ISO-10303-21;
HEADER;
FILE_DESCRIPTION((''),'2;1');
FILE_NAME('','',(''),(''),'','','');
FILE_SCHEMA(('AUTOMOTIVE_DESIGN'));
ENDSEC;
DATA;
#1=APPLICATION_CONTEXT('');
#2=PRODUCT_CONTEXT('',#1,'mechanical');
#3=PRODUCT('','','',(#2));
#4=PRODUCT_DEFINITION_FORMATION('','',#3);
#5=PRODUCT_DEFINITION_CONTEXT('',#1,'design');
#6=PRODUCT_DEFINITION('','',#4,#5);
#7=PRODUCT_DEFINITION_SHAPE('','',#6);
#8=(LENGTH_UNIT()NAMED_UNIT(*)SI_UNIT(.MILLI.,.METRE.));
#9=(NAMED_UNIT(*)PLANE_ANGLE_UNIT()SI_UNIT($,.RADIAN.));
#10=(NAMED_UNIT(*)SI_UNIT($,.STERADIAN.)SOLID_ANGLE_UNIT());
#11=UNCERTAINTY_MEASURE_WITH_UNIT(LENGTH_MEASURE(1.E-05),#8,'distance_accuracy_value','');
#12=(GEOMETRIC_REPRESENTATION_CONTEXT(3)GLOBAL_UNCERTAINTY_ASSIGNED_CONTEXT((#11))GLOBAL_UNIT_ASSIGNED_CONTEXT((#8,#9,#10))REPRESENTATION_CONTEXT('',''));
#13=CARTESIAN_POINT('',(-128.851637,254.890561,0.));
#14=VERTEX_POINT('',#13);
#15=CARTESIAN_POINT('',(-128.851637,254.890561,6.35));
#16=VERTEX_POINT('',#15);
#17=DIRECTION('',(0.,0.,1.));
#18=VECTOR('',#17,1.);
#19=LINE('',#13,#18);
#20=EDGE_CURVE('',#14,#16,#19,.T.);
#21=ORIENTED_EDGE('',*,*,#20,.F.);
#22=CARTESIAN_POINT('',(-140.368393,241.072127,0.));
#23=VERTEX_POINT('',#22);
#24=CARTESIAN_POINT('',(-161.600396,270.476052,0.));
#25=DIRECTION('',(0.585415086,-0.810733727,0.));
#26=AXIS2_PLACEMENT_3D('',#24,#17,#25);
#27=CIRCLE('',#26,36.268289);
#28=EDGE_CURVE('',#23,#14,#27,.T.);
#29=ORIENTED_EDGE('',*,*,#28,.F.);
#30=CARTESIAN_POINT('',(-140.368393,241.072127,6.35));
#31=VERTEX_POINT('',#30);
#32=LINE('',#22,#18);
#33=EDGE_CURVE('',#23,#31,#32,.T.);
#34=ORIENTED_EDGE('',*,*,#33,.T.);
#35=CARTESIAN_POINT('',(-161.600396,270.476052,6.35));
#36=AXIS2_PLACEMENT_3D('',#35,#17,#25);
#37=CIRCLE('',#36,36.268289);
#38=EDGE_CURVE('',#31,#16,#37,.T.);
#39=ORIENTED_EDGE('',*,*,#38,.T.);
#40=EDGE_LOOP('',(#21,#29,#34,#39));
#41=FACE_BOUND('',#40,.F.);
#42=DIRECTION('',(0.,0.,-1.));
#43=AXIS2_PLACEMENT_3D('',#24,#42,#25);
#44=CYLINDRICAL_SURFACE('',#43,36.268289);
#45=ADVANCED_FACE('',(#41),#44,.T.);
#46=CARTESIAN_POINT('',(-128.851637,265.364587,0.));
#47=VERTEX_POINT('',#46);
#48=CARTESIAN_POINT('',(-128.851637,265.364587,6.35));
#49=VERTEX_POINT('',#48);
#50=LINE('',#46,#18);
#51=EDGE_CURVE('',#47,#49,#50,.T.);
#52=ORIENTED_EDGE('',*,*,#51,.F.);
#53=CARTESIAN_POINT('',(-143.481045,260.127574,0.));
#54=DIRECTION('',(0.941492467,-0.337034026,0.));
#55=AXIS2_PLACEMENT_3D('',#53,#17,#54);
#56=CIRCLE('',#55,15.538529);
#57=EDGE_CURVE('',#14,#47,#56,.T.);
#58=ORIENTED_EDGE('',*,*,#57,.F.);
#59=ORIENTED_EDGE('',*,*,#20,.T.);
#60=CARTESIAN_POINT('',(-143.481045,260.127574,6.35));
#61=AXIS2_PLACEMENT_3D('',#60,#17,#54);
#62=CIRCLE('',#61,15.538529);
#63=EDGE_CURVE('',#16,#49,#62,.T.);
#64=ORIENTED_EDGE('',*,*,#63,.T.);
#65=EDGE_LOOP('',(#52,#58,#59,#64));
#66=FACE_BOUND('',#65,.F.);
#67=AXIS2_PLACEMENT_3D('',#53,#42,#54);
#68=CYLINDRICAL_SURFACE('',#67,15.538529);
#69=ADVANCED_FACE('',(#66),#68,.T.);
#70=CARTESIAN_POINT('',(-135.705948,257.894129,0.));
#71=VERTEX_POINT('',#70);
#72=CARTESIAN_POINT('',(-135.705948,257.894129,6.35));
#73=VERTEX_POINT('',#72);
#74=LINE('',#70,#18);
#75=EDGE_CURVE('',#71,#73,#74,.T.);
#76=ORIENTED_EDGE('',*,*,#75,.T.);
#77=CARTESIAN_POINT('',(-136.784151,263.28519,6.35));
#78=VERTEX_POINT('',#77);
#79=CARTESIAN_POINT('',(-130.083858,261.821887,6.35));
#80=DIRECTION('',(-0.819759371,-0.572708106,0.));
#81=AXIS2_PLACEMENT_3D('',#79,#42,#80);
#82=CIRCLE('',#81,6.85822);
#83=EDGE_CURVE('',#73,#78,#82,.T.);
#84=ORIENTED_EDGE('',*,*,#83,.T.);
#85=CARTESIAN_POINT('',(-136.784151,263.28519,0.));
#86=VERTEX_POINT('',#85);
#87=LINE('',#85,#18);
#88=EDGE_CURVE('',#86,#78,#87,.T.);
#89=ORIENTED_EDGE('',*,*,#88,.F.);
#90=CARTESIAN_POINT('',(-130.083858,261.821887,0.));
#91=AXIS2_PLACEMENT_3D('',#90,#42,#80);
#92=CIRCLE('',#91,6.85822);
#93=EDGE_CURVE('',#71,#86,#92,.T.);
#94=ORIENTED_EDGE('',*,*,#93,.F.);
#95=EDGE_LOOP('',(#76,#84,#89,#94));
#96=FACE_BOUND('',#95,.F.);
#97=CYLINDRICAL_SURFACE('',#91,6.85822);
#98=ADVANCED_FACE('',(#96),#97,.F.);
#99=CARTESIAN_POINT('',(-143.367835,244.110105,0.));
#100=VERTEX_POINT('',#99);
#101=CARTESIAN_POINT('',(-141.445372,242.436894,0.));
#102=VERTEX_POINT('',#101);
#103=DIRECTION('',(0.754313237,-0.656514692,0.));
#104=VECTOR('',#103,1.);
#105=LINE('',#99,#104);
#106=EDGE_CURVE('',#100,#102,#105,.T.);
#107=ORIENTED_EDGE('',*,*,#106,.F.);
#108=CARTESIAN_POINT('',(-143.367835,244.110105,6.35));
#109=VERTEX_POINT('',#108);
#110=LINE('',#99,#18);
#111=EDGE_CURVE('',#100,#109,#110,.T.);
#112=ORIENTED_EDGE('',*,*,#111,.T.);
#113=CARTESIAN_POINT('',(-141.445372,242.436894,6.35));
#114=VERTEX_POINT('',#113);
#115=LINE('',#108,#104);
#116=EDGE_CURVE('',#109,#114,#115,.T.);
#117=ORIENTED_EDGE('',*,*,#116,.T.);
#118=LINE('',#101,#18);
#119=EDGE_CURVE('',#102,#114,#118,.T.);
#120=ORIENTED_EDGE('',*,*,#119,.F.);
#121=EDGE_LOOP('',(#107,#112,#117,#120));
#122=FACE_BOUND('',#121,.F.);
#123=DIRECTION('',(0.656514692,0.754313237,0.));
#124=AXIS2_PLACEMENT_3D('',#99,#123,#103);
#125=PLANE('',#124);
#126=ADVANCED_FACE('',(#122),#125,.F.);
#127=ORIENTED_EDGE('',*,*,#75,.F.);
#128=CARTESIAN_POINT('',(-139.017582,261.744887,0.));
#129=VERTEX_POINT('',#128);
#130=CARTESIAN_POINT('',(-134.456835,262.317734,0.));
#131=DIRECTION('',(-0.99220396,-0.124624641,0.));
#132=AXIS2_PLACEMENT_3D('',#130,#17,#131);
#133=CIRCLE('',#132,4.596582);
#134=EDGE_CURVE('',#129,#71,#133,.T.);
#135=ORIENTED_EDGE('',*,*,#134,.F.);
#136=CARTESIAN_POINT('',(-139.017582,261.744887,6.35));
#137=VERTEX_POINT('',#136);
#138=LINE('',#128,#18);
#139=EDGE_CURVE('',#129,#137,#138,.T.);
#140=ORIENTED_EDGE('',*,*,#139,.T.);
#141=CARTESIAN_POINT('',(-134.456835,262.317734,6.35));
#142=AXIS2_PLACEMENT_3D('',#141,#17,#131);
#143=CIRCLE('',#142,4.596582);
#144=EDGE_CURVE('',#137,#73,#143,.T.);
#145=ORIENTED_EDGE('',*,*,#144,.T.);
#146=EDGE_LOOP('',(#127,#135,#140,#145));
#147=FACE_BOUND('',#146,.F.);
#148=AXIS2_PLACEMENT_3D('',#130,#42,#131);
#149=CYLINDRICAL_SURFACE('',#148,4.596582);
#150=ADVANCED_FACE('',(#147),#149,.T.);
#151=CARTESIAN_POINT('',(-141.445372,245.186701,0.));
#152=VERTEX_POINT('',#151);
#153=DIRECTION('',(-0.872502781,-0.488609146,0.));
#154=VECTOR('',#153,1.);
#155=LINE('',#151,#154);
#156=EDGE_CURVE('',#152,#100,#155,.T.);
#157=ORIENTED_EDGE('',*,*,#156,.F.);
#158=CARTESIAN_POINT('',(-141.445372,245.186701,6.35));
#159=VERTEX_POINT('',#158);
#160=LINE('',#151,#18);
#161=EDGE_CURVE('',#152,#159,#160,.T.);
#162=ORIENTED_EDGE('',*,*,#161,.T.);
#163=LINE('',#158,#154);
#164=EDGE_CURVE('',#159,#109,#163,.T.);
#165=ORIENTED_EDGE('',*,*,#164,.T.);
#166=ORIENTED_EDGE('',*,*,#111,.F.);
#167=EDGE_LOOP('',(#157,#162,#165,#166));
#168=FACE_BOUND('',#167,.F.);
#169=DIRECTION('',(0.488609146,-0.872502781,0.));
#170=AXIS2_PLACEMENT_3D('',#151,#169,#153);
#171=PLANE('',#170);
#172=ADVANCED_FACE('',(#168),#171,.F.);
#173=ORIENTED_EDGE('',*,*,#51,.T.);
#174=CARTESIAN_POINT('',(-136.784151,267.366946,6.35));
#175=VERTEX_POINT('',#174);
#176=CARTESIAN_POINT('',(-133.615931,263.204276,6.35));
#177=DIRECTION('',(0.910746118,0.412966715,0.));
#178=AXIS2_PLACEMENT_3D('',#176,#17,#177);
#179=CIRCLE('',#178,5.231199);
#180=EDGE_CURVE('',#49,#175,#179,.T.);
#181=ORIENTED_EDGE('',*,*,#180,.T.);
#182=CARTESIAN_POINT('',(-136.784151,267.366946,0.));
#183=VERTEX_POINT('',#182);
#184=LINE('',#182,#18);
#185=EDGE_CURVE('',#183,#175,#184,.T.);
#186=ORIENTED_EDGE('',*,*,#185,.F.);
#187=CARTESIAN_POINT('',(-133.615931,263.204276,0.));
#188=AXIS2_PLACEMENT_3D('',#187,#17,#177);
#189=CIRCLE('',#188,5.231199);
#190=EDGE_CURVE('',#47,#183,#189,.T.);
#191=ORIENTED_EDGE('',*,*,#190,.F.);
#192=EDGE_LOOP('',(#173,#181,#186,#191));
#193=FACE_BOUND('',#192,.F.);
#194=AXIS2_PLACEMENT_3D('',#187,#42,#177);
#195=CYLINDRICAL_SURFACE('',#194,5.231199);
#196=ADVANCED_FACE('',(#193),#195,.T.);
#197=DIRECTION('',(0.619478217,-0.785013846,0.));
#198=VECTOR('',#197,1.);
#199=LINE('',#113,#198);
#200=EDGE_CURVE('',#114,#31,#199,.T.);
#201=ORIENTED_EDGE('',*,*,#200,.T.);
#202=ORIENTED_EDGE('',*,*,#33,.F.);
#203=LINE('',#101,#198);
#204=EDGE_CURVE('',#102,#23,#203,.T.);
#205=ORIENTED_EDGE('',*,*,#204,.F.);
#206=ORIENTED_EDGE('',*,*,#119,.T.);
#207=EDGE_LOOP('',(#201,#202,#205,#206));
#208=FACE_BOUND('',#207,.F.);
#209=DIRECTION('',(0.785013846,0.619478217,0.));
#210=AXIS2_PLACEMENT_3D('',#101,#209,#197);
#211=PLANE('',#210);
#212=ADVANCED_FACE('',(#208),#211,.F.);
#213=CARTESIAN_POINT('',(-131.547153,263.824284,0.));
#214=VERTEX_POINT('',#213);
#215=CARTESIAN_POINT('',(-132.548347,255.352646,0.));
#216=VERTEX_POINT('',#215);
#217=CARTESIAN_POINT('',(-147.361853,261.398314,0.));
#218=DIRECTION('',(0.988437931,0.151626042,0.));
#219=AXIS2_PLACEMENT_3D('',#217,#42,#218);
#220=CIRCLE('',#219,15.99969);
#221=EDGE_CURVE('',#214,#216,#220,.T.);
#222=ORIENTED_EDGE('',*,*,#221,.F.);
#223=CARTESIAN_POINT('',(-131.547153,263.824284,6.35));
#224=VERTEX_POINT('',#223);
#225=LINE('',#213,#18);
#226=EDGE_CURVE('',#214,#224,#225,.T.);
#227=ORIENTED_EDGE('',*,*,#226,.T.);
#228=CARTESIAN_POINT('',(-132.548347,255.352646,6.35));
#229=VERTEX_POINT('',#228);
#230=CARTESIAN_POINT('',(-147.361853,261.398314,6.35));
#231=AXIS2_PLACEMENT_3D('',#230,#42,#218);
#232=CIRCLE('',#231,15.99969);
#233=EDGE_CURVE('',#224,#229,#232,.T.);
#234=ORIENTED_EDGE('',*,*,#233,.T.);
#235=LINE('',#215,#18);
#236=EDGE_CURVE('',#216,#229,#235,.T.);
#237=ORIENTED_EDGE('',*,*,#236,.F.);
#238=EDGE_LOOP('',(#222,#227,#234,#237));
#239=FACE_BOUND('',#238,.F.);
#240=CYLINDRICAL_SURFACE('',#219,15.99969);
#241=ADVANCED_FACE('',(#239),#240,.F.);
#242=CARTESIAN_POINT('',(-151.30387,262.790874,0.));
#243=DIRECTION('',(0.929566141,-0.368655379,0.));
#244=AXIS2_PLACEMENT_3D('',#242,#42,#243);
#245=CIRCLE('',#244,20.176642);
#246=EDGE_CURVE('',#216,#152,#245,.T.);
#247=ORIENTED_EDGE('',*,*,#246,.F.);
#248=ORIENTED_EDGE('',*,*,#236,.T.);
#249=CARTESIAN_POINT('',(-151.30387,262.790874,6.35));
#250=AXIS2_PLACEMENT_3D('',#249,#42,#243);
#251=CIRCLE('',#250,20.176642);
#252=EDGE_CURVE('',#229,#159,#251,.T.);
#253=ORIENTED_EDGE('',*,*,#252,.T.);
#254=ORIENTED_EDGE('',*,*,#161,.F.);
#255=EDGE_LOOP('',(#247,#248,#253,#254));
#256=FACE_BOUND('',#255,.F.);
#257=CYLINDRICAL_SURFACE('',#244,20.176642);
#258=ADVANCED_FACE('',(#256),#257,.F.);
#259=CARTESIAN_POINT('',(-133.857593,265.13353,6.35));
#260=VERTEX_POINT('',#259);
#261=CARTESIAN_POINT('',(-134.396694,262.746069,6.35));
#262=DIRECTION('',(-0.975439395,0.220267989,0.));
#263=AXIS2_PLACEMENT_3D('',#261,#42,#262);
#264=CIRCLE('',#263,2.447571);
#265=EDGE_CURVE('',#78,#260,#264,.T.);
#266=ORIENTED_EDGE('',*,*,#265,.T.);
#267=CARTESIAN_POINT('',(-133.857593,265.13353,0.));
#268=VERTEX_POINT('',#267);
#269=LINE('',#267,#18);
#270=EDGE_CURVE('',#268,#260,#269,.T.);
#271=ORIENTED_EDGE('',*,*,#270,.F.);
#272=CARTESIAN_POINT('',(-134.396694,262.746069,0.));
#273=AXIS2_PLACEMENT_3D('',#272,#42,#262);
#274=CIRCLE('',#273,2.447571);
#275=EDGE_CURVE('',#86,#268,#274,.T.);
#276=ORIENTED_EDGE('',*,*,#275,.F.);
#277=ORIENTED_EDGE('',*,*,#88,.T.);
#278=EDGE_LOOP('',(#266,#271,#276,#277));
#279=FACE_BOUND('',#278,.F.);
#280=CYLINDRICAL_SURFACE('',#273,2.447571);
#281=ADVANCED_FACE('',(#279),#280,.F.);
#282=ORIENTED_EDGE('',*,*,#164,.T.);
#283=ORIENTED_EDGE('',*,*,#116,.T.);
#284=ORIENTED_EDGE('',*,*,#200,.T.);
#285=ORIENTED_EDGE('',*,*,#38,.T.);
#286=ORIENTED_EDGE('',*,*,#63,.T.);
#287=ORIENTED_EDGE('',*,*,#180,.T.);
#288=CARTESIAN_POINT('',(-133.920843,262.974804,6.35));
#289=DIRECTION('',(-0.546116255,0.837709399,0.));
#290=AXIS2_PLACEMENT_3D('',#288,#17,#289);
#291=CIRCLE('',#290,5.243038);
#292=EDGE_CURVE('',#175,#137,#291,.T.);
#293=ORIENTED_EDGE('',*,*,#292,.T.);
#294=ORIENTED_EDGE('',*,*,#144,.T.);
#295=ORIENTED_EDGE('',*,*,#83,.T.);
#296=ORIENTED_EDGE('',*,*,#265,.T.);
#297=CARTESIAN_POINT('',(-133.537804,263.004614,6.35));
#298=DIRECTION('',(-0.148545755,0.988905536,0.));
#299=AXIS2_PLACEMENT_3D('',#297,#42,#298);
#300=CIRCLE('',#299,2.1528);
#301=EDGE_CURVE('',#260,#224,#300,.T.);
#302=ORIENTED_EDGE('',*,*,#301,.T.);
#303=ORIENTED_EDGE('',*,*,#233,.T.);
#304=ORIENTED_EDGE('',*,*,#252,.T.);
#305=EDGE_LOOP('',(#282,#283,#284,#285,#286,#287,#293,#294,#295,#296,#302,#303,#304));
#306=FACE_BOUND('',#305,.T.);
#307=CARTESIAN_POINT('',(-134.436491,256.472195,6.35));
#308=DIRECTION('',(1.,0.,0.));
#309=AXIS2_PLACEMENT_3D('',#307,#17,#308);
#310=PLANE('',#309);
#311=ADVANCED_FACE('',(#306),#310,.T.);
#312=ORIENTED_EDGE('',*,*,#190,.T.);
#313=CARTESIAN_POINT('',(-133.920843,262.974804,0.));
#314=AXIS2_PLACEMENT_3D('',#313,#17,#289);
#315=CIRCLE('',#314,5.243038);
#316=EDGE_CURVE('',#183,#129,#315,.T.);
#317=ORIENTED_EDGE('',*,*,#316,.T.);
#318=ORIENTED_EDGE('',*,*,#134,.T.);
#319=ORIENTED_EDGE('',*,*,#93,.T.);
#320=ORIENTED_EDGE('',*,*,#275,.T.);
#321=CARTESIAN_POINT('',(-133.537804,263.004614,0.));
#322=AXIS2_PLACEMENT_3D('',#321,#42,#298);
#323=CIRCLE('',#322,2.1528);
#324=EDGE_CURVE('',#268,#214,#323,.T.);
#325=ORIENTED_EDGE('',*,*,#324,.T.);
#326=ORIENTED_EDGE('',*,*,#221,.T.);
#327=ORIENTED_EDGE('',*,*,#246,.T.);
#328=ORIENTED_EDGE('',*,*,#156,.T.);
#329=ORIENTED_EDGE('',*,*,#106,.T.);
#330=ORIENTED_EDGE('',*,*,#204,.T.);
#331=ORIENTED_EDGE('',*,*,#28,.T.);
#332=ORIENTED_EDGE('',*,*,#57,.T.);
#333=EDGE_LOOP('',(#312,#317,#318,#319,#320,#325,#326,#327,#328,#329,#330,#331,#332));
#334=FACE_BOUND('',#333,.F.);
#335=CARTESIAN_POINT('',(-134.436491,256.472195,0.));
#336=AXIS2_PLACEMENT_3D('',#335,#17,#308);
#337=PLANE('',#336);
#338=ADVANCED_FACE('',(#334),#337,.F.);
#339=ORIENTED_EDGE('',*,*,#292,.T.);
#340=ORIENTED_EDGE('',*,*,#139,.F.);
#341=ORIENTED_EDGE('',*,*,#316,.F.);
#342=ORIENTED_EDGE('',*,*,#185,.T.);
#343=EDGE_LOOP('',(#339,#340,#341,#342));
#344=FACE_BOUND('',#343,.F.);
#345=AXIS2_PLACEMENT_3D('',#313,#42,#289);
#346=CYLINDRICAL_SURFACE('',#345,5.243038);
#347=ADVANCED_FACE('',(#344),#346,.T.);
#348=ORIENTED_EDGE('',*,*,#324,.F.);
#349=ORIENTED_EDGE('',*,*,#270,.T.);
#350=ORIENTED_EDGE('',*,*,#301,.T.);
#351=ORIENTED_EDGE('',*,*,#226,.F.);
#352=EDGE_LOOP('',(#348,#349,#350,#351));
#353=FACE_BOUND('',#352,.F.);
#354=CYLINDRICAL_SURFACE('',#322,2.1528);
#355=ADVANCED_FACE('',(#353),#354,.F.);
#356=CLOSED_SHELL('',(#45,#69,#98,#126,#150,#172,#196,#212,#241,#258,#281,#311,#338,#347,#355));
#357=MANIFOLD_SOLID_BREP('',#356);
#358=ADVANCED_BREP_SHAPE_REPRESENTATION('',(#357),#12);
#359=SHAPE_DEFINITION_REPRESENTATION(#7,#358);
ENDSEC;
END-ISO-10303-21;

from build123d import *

# Parameters (mm, degrees)
F1_DEPTH = 6.35


with BuildPart() as f1:
    # F0 (on Top) → F1 (new body)
    with BuildSketch(Plane.XY):
        with BuildLine():
            Line((-141.445372, 242.436894), (-140.368393, 241.072127))
            ThreePointArc((-140.368393, 241.072127), (-133.739708, 247.256), (-128.851637, 254.890561))
            ThreePointArc((-128.851637, 254.890561), (-127.942516, 260.127574), (-128.851637, 265.364587))
            ThreePointArc((-128.851637, 265.364587), (-132.33561, 268.276378), (-136.784151, 267.366946))
            ThreePointArc((-136.784151, 267.366946), (-138.793468, 264.910513), (-139.017582, 261.744887))
            ThreePointArc((-139.017582, 261.744887), (-137.941903, 259.320591), (-135.705948, 257.894129))
            ThreePointArc((-135.705948, 257.894129), (-136.808898, 260.47689), (-136.784151, 263.28519))
            ThreePointArc((-136.784151, 263.28519), (-135.703674, 264.815466), (-133.857593, 265.13353))
            ThreePointArc((-133.857593, 265.13353), (-132.476448, 264.877599), (-131.547153, 263.824284))
            ThreePointArc((-131.547153, 263.824284), (-131.47274, 259.520509), (-132.548347, 255.352646))
            ThreePointArc((-132.548347, 255.352646), (-136.120749, 249.50292), (-141.445372, 245.186701))
            Line((-141.445372, 245.186701), (-141.445372, 242.436894))
        make_face()
        Polygon((-143.367835, 244.110105), (-141.445372, 242.436894), (-141.445372, 245.186701), align=None)
    extrude(amount=F1_DEPTH)


solid = f1.part
